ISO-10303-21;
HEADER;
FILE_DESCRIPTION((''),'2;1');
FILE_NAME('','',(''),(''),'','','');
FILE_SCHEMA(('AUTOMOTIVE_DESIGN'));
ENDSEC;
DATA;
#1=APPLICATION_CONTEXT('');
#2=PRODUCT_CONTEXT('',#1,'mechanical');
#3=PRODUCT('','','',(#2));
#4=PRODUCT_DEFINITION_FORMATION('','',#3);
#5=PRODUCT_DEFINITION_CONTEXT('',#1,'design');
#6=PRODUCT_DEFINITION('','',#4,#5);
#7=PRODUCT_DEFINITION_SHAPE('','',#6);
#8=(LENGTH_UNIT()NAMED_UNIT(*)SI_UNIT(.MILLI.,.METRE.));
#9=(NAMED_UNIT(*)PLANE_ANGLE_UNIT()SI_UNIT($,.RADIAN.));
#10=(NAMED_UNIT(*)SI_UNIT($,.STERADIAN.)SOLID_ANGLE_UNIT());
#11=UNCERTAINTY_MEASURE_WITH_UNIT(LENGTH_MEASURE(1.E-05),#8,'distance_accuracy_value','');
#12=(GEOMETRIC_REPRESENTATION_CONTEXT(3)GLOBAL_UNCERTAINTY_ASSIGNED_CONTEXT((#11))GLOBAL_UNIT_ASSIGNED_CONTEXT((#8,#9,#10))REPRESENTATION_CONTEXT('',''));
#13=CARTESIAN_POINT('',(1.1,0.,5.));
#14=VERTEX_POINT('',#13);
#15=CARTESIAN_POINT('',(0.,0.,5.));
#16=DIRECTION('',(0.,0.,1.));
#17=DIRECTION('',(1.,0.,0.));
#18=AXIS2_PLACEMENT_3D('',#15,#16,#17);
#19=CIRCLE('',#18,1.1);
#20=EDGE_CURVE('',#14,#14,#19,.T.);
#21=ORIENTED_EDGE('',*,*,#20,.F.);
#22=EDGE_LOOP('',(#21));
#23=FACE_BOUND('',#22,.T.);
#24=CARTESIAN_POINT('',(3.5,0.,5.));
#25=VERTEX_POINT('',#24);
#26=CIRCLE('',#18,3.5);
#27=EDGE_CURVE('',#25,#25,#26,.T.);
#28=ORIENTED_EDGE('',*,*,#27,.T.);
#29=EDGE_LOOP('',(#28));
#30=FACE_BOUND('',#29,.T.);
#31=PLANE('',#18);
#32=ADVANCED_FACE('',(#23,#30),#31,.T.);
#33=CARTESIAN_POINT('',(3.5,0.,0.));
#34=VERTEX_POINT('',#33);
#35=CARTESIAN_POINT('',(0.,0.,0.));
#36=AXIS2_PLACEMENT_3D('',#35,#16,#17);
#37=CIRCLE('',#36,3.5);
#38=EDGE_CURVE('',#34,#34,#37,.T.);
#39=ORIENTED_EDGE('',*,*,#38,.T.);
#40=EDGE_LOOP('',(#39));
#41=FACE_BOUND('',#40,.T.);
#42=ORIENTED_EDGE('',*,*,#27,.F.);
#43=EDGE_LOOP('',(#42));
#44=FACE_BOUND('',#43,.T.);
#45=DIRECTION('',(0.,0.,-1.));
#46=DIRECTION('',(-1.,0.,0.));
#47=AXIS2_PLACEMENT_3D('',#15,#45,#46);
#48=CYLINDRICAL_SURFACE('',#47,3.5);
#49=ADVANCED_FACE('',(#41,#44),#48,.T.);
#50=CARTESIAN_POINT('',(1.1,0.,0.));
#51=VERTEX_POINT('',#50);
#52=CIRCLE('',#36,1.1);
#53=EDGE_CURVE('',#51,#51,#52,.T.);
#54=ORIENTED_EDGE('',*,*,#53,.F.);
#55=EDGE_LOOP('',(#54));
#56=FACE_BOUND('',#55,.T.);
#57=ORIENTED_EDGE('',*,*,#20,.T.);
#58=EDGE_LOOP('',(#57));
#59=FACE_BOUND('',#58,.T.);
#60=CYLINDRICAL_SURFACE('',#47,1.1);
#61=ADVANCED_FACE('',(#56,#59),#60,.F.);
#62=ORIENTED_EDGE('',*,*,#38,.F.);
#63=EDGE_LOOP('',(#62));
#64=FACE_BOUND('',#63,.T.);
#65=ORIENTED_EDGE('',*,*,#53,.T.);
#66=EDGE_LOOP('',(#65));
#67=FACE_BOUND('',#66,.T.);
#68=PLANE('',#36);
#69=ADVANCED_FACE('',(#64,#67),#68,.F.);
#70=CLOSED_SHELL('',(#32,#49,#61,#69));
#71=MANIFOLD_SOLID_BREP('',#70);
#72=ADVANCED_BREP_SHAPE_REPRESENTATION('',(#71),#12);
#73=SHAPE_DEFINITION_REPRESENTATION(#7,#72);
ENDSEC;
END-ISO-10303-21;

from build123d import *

# Parameters (mm, degrees)
ESQUISSE1_R        = 3.5
ESQUISSE1_R_2      = 1.1
BOSS_EXTRU_1_DEPTH = 5


with BuildPart() as part:
    # Esquisse1 → Boss.-Extru.1 (new body)
    with BuildSketch(Plane.XY):
        Circle(ESQUISSE1_R)
        Circle(ESQUISSE1_R_2, mode=Mode.SUBTRACT)
    extrude(amount=BOSS_EXTRU_1_DEPTH)


solid = part.part
